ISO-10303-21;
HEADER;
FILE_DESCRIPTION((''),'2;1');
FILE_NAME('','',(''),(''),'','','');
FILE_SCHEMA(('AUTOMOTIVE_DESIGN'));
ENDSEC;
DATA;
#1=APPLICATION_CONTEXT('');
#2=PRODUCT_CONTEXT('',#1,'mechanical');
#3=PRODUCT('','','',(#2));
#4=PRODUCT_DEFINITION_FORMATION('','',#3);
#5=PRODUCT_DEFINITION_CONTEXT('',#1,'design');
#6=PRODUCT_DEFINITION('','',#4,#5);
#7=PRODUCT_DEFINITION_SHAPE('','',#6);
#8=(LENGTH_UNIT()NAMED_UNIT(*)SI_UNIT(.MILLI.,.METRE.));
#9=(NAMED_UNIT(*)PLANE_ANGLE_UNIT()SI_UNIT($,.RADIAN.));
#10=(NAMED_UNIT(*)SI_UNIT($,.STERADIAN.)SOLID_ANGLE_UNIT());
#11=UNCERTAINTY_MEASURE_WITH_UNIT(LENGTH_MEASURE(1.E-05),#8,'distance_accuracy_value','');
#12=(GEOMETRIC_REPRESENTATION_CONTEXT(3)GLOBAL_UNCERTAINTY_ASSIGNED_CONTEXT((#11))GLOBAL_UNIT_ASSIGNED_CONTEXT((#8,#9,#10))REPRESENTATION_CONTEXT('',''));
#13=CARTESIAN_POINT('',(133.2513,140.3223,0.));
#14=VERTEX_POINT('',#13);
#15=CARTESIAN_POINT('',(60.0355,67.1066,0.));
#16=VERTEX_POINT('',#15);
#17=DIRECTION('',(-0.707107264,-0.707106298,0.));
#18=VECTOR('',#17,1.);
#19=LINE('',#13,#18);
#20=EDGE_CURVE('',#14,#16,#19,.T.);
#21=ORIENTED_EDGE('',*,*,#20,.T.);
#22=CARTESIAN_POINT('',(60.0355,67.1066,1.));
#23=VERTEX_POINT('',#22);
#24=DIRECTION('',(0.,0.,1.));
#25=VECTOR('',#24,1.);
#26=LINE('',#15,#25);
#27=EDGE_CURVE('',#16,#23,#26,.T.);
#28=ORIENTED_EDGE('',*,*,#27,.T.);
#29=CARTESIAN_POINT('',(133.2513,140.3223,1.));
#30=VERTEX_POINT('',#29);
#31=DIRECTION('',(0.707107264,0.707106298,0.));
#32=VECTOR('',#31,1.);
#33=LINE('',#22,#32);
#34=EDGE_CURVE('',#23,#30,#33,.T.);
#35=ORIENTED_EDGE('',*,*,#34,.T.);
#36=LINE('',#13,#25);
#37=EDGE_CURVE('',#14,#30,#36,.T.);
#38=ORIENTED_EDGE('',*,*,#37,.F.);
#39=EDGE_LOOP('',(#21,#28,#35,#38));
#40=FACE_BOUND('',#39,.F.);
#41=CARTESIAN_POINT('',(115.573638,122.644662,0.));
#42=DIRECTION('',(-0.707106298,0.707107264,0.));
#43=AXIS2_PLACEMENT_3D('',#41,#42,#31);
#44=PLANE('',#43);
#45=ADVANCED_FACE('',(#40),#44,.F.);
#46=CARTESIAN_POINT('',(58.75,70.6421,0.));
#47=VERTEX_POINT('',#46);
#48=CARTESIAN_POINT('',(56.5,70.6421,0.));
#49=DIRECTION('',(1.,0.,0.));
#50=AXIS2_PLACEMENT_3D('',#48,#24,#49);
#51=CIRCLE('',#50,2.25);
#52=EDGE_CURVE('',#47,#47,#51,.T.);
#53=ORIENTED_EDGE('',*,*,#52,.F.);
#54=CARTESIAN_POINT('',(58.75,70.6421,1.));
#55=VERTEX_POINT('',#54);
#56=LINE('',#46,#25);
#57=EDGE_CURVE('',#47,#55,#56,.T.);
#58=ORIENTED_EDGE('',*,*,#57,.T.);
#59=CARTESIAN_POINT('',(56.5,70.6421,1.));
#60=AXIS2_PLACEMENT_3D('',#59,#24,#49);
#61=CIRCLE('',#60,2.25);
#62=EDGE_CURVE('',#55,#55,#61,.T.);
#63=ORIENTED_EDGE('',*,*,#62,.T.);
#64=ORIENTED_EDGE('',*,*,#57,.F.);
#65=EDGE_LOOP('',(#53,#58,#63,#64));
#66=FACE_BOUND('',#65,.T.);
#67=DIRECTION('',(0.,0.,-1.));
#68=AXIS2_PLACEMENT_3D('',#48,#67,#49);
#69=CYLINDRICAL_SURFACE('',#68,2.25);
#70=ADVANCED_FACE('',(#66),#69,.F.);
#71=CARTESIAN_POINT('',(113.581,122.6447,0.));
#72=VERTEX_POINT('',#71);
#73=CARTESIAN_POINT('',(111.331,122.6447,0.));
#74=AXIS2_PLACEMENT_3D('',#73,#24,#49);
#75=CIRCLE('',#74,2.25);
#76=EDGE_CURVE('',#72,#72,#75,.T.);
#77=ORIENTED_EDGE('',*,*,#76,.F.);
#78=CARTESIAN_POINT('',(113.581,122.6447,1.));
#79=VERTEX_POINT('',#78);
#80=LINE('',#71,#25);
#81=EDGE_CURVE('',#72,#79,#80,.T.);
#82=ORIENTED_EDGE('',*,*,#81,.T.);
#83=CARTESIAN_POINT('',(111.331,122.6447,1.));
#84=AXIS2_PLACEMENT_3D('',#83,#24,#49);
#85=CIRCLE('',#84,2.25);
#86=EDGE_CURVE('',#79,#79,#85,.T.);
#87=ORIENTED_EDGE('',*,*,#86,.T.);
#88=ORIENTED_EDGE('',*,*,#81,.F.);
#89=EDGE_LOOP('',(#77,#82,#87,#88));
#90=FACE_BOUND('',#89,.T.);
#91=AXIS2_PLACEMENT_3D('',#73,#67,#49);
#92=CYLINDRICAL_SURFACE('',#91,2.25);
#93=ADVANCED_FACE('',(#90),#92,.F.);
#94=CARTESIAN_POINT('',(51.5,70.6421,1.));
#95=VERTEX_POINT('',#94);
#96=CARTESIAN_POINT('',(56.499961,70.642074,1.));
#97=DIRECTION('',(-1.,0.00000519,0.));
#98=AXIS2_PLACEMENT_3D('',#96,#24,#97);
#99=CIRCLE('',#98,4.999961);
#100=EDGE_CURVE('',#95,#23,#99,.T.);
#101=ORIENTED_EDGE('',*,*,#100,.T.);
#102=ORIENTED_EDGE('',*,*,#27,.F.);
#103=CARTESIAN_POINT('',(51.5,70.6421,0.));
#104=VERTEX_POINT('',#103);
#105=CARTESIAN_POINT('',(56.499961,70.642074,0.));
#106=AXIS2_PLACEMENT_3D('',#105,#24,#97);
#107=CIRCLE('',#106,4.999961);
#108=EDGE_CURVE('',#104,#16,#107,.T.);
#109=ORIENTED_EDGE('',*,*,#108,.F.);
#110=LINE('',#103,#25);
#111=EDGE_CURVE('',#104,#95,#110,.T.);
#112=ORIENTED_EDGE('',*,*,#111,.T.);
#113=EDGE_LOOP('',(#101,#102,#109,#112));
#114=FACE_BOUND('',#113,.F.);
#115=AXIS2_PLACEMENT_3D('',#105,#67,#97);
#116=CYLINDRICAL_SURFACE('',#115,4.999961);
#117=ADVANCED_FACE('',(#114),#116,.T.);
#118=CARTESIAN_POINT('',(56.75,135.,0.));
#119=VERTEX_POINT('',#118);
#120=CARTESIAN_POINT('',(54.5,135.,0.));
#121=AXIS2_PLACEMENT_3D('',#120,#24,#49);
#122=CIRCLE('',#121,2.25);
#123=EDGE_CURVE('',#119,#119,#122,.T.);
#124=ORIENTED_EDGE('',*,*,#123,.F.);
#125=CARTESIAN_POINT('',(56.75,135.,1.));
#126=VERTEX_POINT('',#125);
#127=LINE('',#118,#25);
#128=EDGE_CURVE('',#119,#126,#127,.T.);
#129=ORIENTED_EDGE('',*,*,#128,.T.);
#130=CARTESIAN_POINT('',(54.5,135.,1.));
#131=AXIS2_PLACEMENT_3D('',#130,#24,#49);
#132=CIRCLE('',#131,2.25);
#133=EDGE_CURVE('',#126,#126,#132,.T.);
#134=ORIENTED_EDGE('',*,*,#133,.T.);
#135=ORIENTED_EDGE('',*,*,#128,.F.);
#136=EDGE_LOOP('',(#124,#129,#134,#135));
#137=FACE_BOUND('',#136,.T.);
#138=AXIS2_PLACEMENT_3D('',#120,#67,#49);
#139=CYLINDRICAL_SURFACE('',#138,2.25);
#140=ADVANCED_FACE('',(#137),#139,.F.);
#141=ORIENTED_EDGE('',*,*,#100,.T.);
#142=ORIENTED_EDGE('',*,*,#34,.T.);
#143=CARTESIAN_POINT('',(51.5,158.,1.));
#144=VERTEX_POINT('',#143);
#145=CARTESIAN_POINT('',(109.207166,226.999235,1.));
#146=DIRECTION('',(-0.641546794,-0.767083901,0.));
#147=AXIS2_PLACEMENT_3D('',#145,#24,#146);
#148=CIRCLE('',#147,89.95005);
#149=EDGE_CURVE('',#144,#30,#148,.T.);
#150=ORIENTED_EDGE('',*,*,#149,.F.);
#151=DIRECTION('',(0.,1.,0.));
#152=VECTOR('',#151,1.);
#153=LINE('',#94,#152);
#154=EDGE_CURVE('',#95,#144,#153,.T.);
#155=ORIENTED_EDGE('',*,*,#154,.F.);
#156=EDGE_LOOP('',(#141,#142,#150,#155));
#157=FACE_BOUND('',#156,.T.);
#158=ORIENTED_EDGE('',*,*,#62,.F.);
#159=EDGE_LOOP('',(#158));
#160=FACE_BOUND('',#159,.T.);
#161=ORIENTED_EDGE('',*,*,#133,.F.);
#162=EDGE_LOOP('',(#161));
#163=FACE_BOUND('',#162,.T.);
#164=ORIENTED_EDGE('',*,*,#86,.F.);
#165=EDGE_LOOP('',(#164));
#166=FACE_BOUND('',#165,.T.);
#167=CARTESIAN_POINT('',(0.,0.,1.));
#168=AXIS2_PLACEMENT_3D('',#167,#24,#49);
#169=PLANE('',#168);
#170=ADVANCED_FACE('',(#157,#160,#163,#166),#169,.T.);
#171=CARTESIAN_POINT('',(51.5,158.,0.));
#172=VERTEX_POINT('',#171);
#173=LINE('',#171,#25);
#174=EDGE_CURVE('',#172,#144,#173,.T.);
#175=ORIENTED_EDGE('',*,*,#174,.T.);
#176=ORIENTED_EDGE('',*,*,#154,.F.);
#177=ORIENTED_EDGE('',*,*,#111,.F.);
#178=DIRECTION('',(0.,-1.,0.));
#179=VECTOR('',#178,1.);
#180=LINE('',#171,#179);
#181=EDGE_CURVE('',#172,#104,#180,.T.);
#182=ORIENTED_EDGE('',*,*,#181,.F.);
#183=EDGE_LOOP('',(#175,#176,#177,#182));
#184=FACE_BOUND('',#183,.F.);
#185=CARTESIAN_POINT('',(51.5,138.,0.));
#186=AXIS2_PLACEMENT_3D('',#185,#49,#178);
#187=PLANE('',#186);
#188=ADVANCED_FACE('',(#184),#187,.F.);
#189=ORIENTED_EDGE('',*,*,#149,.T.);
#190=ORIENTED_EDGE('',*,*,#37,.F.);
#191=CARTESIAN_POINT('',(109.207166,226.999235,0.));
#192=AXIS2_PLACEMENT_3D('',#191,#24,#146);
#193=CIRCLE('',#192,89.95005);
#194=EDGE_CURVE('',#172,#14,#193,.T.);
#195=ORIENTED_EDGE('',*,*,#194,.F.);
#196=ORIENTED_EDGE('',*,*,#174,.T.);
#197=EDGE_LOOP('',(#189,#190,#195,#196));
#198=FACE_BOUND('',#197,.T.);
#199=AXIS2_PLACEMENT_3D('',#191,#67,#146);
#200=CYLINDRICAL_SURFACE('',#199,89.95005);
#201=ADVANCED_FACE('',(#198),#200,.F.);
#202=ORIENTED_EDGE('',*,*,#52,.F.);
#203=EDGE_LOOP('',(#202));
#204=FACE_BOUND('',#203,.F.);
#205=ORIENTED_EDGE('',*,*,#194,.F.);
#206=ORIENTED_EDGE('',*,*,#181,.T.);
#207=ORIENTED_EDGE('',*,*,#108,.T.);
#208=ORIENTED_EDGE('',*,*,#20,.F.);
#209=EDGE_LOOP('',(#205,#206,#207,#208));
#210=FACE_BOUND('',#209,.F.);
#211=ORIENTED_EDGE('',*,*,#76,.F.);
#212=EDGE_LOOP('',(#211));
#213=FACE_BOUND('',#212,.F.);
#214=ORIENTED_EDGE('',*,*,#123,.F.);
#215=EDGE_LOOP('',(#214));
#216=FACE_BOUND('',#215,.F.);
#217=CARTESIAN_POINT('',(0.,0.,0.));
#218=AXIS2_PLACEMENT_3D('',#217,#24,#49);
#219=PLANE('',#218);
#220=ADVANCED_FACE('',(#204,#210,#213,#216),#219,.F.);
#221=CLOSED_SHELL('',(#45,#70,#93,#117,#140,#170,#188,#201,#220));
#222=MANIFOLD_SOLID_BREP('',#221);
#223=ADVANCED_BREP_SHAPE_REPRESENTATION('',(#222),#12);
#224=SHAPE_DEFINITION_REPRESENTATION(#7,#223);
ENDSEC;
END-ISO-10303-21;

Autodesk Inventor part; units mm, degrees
ref_plane "YZ Plane" through (0, 0, 0) normal (1, 0, 0) x (0, 1, 0)
ref_plane "XZ Plane" through (0, 0, 0) normal (0, 1, 0) x (-1, 0, 0)
sketch "Sketch1" plane through (0, 0, 0) normal (0, 0, 1) x (1, 0, 0)
  line L0 (-41.5, 58) -> (41.5, 58)
  line L1 (41.5, 58) -> (41.5, 158)
  line L2 (41.5, 158) -> (-41.5, 158)
  line L3 (-41.5, 158) -> (-41.5, 58)
  line L4 (58, 41.5) -> (158, 41.5)
  line L5 (158, 41.5) -> (158, -41.5)
  line L6 (158, -41.5) -> (58, -41.5)
  line L7 (58, -41.5) -> (58, 41.5)
  line L8 (-131.1952, 0) -> (204.4844, 0) construction
  line L9 (-48, 48) -> (48, 48)
  line L10 (48, 48) -> (48, -48)
  line L11 (48, -48) -> (-48, -48)
  line L12 (-48, -48) -> (-48, 48)
  line L13 (0, 180.9439) -> (0, -136.3054) construction
  point P0 (0, 0)
  point P1 (-48, 0)
  point P2 (0, 48)
  point P3 (0, 58)
  point P4 (58, 0)
  dimension "d0" = 83
  dimension "d1" = 100
  dimension "d2" = 100
  dimension "d3" = 83
  dimension "d5" = 96
  dimension "d6" = 96
  dimension "d7" = 10
  dimension "d8" = 10
sketch "Sketch2" plane through (0, 0, 0) normal (0, 0, 1) x (1, 0, 0)
  line L0 (41.5, 158) -> (-41.5, 158) projected
  line L1 (41.5, 58) -> (41.5, 158) projected
  line L2 (-48, 48) -> (48, 48) projected
  line L3 (48, 48) -> (48, -48) projected
  line L4 (58, -41.5) -> (58, 41.5) projected
  line L5 (58, 41.5) -> (158, 41.5) projected
  line L6 (-41.5, 58) -> (41.5, 58) projected
  line L7 (158, 41.5) -> (158, -41.5) projected
  line L8 (48, 48) -> (136.7868, 136.7868) construction
  line L9 (35.5, 78) -> (57.5, 78)
  line L10 (57.5, 78) -> (57.5, 138)
  line L11 (57.5, 138) -> (35.5, 138)
  line L12 (35.5, 138) -> (35.5, 78)
  line L13 (41.5, 108) -> (-41.5, 108) construction
  line L14 (108, 41.5) -> (108, -41.5) construction
  line L15 (41.5, 158) -> (220.1006, 158) construction
  line L16 (158, 41.5) -> (158, 206.0131) construction
  line L17 (115.5736, 158) -> (158, 115.5736) construction
  line L18 (41.5, 138) -> (41.5, 78) construction
  line L19 (51.5, 138) -> (51.5, 78) construction
  line L20 (46.5, 138) -> (46.5, 78) construction
  line L21 (51.5, 158) -> (51.5, 70.6421)
  line L22 (60.0355, 67.1066) -> (133.2513, 140.3223)
  arc A0 (51.5, 158) -> (133.2513, 140.3223) centre (109.2071, 226.9991) ccw
  line L23 (68.9045, 84.4609) -> (84.4609, 68.9045)
  line L24 (84.4609, 68.9045) -> (126.8873, 111.331)
  line L25 (126.8873, 111.331) -> (111.331, 126.8873)
  line L26 (111.331, 126.8873) -> (68.9045, 84.4609)
  line L27 (80.2183, 73.1472) -> (122.6447, 115.5736) construction
  line L28 (105.6741, 90.1177) -> (90.1177, 105.6741) construction
  line L29 (73.1472, 80.2183) -> (115.5736, 122.6447) construction
  line L30 (76.6827, 76.6827) -> (119.1091, 119.1091) construction
  circle A1 centre (73.1472, 84.4609) radius 2.25
  circle A2 centre (111.331, 122.6447) radius 2.25
  circle A3 centre (84.4609, 73.1472) radius 2.25
  circle A4 centre (122.6447, 111.331) radius 2.25
  circle A5 centre (38.5, 135) radius 2.25
  circle A6 centre (38.5, 81) radius 2.25
  circle A7 centre (54.5, 135) radius 2.25
  circle A8 centre (54.5, 81) radius 2.25
  arc A9 (51.5, 70.6421) -> (60.0355, 67.1066) centre (56.5, 70.6421) ccw
  circle A10 centre (56.5, 70.6421) radius 2.25
  point P0 (0, 0)
  point P1 (158, 158)
  dimension "d23" = 30
  dimension "d25" = 45
  dimension "d30" = 10
  dimension "d37" = 10
  dimension "d38" = 60
  dimension "d39" = 4.5
  dimension "d40" = 3
  dimension "d42" = 4.5
  dimension "d43" = 3
  dimension "d46" = 60
  dimension "d47" = 30
  dimension "d48" = 4.5
  dimension "d49" = 3
  dimension "d50" = 3
  dimension "d51" = 4.5
  dimension "d52" = 3
  dimension "d53" = 3
  dimension "d54" = 5
  dimension "d55" = 25
  dimension "d57" = 3
  dimension "d58" = 3
  dimension "d59" = 3
  dimension "d60" = 3
  dimension "d77" = 4.5
ref_plane "Work Plane1" through (48, 48, 0) normal (0.7071, -0.7071, 0) x (0.7071, 0.7071, 0)
extrude "Extrusion7" add sketch "Sketch2" along normal blind 1 contours L21 L11 L10 L9 | L9 L10 L11 L21 A0 L22 L25 L26 L23 A9 | L23 L26 L25 L22 | A1 | A8
properties part number "SolarFolds_Sketch"
